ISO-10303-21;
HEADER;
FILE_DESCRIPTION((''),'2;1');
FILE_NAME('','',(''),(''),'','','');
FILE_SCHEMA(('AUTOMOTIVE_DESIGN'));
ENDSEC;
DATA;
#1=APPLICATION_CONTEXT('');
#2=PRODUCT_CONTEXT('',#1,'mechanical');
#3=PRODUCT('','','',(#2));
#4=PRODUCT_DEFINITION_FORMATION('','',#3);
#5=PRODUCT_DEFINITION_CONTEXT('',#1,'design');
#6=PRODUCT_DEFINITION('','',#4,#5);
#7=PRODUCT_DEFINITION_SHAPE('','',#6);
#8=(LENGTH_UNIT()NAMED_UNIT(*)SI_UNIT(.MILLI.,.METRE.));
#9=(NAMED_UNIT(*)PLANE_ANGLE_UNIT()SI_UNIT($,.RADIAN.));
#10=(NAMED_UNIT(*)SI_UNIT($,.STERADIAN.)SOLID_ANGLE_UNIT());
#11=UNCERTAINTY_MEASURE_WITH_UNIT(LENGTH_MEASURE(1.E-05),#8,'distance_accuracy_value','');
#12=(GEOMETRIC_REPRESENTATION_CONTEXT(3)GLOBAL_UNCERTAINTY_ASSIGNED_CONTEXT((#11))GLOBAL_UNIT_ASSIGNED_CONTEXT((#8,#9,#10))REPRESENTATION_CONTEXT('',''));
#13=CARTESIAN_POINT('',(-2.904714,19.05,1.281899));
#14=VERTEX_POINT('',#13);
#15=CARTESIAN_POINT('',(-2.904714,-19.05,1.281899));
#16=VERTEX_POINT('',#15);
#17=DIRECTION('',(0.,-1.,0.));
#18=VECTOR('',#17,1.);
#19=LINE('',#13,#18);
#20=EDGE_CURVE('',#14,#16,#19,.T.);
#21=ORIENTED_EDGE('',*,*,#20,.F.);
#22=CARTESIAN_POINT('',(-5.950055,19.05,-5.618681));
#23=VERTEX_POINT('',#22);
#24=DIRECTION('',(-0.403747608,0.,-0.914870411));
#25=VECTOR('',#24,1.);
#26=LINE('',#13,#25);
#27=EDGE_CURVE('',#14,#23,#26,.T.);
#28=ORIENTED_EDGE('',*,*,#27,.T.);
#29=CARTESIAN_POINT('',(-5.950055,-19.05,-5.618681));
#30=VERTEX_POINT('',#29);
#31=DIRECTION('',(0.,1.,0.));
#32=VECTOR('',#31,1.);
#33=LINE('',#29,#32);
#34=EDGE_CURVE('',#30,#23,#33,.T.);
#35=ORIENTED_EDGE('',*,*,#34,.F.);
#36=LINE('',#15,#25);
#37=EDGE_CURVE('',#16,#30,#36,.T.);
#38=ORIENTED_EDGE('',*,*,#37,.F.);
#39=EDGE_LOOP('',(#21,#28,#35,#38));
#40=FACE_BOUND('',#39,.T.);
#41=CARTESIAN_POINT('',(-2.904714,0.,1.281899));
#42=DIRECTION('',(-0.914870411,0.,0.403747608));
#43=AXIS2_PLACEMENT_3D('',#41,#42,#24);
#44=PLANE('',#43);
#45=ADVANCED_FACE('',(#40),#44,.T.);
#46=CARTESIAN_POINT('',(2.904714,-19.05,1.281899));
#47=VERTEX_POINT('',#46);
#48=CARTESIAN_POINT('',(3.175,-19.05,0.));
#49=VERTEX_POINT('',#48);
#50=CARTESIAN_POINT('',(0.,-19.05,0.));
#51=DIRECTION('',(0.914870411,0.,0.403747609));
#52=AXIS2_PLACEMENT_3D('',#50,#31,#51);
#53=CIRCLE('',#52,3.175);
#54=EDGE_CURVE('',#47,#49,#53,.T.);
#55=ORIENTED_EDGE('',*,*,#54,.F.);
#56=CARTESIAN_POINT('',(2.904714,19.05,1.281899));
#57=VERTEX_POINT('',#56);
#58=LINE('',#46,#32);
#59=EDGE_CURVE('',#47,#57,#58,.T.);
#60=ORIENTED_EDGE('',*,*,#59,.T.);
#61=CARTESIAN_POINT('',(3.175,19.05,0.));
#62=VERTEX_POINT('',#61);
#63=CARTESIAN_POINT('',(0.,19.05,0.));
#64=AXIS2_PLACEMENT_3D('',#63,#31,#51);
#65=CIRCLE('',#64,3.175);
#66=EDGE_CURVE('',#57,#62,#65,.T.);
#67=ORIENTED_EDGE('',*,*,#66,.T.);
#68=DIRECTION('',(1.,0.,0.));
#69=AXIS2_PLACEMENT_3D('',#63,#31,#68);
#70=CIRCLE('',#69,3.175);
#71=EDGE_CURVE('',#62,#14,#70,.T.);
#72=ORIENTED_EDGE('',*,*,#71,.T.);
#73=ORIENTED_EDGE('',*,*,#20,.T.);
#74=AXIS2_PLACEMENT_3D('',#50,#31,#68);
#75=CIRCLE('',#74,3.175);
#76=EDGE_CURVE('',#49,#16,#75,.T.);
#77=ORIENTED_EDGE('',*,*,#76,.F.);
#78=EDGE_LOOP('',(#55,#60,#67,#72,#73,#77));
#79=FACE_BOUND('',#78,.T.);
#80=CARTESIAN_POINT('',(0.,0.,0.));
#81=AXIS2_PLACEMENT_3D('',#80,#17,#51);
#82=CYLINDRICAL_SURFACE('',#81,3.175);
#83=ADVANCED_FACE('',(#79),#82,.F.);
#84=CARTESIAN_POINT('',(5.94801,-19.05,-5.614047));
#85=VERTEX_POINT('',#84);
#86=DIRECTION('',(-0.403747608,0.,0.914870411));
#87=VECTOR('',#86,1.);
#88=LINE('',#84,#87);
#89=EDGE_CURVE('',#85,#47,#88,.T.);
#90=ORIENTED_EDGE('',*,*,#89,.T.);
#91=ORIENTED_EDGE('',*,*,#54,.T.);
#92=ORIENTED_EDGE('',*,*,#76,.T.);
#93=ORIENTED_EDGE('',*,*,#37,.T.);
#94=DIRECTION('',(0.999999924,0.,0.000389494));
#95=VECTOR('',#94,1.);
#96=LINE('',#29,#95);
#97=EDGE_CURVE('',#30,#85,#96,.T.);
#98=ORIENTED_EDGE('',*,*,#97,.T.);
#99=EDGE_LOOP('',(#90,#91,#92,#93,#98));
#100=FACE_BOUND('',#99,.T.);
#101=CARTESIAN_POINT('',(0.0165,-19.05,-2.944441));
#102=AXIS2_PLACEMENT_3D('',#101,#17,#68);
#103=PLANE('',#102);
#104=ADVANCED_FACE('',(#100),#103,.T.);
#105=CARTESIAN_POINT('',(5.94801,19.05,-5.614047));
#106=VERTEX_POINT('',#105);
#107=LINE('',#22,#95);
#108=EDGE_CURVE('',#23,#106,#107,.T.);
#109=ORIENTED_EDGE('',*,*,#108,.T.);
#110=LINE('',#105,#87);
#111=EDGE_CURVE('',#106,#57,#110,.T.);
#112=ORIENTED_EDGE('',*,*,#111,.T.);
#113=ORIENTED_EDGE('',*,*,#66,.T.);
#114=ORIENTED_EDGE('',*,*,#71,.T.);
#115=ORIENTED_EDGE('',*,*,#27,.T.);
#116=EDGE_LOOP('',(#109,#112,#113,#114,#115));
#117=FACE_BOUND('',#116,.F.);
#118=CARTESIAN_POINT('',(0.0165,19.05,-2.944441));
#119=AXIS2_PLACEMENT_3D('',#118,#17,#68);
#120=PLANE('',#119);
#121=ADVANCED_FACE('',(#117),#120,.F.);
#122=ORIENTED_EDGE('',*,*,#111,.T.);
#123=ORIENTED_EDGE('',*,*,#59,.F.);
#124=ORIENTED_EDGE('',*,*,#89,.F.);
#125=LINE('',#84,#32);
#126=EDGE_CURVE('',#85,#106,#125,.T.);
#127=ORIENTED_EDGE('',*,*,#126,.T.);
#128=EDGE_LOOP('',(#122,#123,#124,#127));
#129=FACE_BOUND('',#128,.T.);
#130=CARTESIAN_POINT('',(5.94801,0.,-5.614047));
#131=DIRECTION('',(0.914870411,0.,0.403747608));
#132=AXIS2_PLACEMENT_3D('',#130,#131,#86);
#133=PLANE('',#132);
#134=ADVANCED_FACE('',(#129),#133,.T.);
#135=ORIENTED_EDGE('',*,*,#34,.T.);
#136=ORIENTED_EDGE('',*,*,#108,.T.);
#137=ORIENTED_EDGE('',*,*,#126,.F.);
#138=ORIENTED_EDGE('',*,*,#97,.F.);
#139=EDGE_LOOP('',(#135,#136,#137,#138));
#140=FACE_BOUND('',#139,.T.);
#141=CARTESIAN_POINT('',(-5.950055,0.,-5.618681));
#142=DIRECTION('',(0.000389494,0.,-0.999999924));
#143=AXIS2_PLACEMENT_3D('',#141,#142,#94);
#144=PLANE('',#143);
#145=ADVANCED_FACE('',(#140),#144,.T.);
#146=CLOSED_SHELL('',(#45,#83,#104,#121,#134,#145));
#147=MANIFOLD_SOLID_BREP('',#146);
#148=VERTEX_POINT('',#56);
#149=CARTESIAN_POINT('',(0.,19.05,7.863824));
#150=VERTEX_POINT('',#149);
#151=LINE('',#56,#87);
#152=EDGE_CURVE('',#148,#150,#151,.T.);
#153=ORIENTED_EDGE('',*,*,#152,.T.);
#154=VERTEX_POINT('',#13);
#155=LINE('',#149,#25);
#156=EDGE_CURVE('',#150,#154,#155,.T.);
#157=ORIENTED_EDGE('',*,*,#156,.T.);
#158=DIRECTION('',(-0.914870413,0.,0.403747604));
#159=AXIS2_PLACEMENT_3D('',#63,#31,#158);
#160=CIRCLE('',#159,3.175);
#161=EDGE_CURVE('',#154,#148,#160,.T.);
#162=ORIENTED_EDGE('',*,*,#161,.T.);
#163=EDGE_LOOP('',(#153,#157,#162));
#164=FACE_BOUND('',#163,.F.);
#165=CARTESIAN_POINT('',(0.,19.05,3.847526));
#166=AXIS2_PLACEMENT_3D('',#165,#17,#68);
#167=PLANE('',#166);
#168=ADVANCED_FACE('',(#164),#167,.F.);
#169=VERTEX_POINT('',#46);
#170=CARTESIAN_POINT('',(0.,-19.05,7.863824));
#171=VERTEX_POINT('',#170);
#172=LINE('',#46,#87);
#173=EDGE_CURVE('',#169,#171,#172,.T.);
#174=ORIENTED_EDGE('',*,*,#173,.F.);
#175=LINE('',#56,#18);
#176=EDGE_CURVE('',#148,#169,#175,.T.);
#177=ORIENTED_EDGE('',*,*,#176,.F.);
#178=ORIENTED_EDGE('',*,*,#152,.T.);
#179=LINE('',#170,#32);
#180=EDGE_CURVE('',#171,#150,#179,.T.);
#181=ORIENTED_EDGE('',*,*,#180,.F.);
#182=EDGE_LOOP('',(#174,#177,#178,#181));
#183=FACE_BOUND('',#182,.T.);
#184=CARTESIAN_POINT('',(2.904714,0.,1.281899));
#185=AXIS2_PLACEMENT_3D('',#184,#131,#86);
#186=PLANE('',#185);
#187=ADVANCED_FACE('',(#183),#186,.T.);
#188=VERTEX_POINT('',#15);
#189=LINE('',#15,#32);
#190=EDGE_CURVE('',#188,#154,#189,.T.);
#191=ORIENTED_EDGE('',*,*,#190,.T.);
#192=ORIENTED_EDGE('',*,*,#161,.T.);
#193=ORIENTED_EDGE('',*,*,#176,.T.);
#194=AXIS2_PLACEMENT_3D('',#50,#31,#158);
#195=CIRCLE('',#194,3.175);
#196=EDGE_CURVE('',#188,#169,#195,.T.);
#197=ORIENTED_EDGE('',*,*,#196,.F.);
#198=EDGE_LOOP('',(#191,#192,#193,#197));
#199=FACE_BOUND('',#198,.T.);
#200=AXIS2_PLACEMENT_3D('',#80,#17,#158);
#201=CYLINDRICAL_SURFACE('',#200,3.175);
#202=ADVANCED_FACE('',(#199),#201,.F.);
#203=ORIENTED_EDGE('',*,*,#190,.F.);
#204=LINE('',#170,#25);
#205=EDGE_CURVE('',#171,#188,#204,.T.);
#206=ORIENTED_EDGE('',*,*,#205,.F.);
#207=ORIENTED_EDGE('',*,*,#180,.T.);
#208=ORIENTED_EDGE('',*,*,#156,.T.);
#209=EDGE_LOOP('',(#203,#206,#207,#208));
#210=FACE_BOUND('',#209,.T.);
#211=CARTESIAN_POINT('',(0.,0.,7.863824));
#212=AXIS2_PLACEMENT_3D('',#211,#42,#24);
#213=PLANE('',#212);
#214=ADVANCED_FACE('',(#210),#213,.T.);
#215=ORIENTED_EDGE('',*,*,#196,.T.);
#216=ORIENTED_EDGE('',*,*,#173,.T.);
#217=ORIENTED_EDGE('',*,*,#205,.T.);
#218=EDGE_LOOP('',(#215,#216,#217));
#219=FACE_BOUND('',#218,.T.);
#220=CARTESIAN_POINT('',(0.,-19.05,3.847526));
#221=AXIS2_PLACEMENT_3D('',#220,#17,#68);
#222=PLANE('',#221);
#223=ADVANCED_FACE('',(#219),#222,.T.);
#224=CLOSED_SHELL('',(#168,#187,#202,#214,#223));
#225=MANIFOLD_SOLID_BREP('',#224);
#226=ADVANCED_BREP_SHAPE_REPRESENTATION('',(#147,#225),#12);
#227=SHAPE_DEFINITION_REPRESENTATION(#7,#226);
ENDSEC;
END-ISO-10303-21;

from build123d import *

# Parameters (mm, degrees)
F1_DEPTH = 19.05


with BuildPart() as f1:
    # F0 (on Front) → F1 (new body, symmetric)
    with BuildSketch(Plane.XZ):
        with BuildLine():
            ThreePointArc((2.9047135542, 1.2818986575), (3.106693623, 0.6550417794), (3.175, 0))
            ThreePointArc((3.175, 0), (-0.6550417722, -3.1066936245), (-2.9047135601, 1.2818986441))
            Line((-2.9047135601, 1.2818986441), (-5.9500549229, -5.6186814424))
            Line((-5.9500549229, -5.6186814424), (5.9480097623, -5.6140472182))
            Line((5.9480097623, -5.6140472182), (2.9047135542, 1.2818986575))
        make_face()
    extrude(amount=F1_DEPTH, both=True)


with BuildPart() as f1b:
    # F0 (on Front) → F1, piece 2 (new body, symmetric)
    with BuildSketch(Plane.XZ):
        with BuildLine():
            ThreePointArc((-2.9047135601, 1.2818986441), (-7.3e-09, 3.175), (2.9047135542, 1.2818986575))
            Line((2.9047135542, 1.2818986575), (0, 7.863823677))
            Line((0, 7.863823677), (-2.9047135601, 1.2818986441))
        make_face()
    extrude(amount=F1_DEPTH, both=True)


solid = Compound([f1.part, f1b.part])
